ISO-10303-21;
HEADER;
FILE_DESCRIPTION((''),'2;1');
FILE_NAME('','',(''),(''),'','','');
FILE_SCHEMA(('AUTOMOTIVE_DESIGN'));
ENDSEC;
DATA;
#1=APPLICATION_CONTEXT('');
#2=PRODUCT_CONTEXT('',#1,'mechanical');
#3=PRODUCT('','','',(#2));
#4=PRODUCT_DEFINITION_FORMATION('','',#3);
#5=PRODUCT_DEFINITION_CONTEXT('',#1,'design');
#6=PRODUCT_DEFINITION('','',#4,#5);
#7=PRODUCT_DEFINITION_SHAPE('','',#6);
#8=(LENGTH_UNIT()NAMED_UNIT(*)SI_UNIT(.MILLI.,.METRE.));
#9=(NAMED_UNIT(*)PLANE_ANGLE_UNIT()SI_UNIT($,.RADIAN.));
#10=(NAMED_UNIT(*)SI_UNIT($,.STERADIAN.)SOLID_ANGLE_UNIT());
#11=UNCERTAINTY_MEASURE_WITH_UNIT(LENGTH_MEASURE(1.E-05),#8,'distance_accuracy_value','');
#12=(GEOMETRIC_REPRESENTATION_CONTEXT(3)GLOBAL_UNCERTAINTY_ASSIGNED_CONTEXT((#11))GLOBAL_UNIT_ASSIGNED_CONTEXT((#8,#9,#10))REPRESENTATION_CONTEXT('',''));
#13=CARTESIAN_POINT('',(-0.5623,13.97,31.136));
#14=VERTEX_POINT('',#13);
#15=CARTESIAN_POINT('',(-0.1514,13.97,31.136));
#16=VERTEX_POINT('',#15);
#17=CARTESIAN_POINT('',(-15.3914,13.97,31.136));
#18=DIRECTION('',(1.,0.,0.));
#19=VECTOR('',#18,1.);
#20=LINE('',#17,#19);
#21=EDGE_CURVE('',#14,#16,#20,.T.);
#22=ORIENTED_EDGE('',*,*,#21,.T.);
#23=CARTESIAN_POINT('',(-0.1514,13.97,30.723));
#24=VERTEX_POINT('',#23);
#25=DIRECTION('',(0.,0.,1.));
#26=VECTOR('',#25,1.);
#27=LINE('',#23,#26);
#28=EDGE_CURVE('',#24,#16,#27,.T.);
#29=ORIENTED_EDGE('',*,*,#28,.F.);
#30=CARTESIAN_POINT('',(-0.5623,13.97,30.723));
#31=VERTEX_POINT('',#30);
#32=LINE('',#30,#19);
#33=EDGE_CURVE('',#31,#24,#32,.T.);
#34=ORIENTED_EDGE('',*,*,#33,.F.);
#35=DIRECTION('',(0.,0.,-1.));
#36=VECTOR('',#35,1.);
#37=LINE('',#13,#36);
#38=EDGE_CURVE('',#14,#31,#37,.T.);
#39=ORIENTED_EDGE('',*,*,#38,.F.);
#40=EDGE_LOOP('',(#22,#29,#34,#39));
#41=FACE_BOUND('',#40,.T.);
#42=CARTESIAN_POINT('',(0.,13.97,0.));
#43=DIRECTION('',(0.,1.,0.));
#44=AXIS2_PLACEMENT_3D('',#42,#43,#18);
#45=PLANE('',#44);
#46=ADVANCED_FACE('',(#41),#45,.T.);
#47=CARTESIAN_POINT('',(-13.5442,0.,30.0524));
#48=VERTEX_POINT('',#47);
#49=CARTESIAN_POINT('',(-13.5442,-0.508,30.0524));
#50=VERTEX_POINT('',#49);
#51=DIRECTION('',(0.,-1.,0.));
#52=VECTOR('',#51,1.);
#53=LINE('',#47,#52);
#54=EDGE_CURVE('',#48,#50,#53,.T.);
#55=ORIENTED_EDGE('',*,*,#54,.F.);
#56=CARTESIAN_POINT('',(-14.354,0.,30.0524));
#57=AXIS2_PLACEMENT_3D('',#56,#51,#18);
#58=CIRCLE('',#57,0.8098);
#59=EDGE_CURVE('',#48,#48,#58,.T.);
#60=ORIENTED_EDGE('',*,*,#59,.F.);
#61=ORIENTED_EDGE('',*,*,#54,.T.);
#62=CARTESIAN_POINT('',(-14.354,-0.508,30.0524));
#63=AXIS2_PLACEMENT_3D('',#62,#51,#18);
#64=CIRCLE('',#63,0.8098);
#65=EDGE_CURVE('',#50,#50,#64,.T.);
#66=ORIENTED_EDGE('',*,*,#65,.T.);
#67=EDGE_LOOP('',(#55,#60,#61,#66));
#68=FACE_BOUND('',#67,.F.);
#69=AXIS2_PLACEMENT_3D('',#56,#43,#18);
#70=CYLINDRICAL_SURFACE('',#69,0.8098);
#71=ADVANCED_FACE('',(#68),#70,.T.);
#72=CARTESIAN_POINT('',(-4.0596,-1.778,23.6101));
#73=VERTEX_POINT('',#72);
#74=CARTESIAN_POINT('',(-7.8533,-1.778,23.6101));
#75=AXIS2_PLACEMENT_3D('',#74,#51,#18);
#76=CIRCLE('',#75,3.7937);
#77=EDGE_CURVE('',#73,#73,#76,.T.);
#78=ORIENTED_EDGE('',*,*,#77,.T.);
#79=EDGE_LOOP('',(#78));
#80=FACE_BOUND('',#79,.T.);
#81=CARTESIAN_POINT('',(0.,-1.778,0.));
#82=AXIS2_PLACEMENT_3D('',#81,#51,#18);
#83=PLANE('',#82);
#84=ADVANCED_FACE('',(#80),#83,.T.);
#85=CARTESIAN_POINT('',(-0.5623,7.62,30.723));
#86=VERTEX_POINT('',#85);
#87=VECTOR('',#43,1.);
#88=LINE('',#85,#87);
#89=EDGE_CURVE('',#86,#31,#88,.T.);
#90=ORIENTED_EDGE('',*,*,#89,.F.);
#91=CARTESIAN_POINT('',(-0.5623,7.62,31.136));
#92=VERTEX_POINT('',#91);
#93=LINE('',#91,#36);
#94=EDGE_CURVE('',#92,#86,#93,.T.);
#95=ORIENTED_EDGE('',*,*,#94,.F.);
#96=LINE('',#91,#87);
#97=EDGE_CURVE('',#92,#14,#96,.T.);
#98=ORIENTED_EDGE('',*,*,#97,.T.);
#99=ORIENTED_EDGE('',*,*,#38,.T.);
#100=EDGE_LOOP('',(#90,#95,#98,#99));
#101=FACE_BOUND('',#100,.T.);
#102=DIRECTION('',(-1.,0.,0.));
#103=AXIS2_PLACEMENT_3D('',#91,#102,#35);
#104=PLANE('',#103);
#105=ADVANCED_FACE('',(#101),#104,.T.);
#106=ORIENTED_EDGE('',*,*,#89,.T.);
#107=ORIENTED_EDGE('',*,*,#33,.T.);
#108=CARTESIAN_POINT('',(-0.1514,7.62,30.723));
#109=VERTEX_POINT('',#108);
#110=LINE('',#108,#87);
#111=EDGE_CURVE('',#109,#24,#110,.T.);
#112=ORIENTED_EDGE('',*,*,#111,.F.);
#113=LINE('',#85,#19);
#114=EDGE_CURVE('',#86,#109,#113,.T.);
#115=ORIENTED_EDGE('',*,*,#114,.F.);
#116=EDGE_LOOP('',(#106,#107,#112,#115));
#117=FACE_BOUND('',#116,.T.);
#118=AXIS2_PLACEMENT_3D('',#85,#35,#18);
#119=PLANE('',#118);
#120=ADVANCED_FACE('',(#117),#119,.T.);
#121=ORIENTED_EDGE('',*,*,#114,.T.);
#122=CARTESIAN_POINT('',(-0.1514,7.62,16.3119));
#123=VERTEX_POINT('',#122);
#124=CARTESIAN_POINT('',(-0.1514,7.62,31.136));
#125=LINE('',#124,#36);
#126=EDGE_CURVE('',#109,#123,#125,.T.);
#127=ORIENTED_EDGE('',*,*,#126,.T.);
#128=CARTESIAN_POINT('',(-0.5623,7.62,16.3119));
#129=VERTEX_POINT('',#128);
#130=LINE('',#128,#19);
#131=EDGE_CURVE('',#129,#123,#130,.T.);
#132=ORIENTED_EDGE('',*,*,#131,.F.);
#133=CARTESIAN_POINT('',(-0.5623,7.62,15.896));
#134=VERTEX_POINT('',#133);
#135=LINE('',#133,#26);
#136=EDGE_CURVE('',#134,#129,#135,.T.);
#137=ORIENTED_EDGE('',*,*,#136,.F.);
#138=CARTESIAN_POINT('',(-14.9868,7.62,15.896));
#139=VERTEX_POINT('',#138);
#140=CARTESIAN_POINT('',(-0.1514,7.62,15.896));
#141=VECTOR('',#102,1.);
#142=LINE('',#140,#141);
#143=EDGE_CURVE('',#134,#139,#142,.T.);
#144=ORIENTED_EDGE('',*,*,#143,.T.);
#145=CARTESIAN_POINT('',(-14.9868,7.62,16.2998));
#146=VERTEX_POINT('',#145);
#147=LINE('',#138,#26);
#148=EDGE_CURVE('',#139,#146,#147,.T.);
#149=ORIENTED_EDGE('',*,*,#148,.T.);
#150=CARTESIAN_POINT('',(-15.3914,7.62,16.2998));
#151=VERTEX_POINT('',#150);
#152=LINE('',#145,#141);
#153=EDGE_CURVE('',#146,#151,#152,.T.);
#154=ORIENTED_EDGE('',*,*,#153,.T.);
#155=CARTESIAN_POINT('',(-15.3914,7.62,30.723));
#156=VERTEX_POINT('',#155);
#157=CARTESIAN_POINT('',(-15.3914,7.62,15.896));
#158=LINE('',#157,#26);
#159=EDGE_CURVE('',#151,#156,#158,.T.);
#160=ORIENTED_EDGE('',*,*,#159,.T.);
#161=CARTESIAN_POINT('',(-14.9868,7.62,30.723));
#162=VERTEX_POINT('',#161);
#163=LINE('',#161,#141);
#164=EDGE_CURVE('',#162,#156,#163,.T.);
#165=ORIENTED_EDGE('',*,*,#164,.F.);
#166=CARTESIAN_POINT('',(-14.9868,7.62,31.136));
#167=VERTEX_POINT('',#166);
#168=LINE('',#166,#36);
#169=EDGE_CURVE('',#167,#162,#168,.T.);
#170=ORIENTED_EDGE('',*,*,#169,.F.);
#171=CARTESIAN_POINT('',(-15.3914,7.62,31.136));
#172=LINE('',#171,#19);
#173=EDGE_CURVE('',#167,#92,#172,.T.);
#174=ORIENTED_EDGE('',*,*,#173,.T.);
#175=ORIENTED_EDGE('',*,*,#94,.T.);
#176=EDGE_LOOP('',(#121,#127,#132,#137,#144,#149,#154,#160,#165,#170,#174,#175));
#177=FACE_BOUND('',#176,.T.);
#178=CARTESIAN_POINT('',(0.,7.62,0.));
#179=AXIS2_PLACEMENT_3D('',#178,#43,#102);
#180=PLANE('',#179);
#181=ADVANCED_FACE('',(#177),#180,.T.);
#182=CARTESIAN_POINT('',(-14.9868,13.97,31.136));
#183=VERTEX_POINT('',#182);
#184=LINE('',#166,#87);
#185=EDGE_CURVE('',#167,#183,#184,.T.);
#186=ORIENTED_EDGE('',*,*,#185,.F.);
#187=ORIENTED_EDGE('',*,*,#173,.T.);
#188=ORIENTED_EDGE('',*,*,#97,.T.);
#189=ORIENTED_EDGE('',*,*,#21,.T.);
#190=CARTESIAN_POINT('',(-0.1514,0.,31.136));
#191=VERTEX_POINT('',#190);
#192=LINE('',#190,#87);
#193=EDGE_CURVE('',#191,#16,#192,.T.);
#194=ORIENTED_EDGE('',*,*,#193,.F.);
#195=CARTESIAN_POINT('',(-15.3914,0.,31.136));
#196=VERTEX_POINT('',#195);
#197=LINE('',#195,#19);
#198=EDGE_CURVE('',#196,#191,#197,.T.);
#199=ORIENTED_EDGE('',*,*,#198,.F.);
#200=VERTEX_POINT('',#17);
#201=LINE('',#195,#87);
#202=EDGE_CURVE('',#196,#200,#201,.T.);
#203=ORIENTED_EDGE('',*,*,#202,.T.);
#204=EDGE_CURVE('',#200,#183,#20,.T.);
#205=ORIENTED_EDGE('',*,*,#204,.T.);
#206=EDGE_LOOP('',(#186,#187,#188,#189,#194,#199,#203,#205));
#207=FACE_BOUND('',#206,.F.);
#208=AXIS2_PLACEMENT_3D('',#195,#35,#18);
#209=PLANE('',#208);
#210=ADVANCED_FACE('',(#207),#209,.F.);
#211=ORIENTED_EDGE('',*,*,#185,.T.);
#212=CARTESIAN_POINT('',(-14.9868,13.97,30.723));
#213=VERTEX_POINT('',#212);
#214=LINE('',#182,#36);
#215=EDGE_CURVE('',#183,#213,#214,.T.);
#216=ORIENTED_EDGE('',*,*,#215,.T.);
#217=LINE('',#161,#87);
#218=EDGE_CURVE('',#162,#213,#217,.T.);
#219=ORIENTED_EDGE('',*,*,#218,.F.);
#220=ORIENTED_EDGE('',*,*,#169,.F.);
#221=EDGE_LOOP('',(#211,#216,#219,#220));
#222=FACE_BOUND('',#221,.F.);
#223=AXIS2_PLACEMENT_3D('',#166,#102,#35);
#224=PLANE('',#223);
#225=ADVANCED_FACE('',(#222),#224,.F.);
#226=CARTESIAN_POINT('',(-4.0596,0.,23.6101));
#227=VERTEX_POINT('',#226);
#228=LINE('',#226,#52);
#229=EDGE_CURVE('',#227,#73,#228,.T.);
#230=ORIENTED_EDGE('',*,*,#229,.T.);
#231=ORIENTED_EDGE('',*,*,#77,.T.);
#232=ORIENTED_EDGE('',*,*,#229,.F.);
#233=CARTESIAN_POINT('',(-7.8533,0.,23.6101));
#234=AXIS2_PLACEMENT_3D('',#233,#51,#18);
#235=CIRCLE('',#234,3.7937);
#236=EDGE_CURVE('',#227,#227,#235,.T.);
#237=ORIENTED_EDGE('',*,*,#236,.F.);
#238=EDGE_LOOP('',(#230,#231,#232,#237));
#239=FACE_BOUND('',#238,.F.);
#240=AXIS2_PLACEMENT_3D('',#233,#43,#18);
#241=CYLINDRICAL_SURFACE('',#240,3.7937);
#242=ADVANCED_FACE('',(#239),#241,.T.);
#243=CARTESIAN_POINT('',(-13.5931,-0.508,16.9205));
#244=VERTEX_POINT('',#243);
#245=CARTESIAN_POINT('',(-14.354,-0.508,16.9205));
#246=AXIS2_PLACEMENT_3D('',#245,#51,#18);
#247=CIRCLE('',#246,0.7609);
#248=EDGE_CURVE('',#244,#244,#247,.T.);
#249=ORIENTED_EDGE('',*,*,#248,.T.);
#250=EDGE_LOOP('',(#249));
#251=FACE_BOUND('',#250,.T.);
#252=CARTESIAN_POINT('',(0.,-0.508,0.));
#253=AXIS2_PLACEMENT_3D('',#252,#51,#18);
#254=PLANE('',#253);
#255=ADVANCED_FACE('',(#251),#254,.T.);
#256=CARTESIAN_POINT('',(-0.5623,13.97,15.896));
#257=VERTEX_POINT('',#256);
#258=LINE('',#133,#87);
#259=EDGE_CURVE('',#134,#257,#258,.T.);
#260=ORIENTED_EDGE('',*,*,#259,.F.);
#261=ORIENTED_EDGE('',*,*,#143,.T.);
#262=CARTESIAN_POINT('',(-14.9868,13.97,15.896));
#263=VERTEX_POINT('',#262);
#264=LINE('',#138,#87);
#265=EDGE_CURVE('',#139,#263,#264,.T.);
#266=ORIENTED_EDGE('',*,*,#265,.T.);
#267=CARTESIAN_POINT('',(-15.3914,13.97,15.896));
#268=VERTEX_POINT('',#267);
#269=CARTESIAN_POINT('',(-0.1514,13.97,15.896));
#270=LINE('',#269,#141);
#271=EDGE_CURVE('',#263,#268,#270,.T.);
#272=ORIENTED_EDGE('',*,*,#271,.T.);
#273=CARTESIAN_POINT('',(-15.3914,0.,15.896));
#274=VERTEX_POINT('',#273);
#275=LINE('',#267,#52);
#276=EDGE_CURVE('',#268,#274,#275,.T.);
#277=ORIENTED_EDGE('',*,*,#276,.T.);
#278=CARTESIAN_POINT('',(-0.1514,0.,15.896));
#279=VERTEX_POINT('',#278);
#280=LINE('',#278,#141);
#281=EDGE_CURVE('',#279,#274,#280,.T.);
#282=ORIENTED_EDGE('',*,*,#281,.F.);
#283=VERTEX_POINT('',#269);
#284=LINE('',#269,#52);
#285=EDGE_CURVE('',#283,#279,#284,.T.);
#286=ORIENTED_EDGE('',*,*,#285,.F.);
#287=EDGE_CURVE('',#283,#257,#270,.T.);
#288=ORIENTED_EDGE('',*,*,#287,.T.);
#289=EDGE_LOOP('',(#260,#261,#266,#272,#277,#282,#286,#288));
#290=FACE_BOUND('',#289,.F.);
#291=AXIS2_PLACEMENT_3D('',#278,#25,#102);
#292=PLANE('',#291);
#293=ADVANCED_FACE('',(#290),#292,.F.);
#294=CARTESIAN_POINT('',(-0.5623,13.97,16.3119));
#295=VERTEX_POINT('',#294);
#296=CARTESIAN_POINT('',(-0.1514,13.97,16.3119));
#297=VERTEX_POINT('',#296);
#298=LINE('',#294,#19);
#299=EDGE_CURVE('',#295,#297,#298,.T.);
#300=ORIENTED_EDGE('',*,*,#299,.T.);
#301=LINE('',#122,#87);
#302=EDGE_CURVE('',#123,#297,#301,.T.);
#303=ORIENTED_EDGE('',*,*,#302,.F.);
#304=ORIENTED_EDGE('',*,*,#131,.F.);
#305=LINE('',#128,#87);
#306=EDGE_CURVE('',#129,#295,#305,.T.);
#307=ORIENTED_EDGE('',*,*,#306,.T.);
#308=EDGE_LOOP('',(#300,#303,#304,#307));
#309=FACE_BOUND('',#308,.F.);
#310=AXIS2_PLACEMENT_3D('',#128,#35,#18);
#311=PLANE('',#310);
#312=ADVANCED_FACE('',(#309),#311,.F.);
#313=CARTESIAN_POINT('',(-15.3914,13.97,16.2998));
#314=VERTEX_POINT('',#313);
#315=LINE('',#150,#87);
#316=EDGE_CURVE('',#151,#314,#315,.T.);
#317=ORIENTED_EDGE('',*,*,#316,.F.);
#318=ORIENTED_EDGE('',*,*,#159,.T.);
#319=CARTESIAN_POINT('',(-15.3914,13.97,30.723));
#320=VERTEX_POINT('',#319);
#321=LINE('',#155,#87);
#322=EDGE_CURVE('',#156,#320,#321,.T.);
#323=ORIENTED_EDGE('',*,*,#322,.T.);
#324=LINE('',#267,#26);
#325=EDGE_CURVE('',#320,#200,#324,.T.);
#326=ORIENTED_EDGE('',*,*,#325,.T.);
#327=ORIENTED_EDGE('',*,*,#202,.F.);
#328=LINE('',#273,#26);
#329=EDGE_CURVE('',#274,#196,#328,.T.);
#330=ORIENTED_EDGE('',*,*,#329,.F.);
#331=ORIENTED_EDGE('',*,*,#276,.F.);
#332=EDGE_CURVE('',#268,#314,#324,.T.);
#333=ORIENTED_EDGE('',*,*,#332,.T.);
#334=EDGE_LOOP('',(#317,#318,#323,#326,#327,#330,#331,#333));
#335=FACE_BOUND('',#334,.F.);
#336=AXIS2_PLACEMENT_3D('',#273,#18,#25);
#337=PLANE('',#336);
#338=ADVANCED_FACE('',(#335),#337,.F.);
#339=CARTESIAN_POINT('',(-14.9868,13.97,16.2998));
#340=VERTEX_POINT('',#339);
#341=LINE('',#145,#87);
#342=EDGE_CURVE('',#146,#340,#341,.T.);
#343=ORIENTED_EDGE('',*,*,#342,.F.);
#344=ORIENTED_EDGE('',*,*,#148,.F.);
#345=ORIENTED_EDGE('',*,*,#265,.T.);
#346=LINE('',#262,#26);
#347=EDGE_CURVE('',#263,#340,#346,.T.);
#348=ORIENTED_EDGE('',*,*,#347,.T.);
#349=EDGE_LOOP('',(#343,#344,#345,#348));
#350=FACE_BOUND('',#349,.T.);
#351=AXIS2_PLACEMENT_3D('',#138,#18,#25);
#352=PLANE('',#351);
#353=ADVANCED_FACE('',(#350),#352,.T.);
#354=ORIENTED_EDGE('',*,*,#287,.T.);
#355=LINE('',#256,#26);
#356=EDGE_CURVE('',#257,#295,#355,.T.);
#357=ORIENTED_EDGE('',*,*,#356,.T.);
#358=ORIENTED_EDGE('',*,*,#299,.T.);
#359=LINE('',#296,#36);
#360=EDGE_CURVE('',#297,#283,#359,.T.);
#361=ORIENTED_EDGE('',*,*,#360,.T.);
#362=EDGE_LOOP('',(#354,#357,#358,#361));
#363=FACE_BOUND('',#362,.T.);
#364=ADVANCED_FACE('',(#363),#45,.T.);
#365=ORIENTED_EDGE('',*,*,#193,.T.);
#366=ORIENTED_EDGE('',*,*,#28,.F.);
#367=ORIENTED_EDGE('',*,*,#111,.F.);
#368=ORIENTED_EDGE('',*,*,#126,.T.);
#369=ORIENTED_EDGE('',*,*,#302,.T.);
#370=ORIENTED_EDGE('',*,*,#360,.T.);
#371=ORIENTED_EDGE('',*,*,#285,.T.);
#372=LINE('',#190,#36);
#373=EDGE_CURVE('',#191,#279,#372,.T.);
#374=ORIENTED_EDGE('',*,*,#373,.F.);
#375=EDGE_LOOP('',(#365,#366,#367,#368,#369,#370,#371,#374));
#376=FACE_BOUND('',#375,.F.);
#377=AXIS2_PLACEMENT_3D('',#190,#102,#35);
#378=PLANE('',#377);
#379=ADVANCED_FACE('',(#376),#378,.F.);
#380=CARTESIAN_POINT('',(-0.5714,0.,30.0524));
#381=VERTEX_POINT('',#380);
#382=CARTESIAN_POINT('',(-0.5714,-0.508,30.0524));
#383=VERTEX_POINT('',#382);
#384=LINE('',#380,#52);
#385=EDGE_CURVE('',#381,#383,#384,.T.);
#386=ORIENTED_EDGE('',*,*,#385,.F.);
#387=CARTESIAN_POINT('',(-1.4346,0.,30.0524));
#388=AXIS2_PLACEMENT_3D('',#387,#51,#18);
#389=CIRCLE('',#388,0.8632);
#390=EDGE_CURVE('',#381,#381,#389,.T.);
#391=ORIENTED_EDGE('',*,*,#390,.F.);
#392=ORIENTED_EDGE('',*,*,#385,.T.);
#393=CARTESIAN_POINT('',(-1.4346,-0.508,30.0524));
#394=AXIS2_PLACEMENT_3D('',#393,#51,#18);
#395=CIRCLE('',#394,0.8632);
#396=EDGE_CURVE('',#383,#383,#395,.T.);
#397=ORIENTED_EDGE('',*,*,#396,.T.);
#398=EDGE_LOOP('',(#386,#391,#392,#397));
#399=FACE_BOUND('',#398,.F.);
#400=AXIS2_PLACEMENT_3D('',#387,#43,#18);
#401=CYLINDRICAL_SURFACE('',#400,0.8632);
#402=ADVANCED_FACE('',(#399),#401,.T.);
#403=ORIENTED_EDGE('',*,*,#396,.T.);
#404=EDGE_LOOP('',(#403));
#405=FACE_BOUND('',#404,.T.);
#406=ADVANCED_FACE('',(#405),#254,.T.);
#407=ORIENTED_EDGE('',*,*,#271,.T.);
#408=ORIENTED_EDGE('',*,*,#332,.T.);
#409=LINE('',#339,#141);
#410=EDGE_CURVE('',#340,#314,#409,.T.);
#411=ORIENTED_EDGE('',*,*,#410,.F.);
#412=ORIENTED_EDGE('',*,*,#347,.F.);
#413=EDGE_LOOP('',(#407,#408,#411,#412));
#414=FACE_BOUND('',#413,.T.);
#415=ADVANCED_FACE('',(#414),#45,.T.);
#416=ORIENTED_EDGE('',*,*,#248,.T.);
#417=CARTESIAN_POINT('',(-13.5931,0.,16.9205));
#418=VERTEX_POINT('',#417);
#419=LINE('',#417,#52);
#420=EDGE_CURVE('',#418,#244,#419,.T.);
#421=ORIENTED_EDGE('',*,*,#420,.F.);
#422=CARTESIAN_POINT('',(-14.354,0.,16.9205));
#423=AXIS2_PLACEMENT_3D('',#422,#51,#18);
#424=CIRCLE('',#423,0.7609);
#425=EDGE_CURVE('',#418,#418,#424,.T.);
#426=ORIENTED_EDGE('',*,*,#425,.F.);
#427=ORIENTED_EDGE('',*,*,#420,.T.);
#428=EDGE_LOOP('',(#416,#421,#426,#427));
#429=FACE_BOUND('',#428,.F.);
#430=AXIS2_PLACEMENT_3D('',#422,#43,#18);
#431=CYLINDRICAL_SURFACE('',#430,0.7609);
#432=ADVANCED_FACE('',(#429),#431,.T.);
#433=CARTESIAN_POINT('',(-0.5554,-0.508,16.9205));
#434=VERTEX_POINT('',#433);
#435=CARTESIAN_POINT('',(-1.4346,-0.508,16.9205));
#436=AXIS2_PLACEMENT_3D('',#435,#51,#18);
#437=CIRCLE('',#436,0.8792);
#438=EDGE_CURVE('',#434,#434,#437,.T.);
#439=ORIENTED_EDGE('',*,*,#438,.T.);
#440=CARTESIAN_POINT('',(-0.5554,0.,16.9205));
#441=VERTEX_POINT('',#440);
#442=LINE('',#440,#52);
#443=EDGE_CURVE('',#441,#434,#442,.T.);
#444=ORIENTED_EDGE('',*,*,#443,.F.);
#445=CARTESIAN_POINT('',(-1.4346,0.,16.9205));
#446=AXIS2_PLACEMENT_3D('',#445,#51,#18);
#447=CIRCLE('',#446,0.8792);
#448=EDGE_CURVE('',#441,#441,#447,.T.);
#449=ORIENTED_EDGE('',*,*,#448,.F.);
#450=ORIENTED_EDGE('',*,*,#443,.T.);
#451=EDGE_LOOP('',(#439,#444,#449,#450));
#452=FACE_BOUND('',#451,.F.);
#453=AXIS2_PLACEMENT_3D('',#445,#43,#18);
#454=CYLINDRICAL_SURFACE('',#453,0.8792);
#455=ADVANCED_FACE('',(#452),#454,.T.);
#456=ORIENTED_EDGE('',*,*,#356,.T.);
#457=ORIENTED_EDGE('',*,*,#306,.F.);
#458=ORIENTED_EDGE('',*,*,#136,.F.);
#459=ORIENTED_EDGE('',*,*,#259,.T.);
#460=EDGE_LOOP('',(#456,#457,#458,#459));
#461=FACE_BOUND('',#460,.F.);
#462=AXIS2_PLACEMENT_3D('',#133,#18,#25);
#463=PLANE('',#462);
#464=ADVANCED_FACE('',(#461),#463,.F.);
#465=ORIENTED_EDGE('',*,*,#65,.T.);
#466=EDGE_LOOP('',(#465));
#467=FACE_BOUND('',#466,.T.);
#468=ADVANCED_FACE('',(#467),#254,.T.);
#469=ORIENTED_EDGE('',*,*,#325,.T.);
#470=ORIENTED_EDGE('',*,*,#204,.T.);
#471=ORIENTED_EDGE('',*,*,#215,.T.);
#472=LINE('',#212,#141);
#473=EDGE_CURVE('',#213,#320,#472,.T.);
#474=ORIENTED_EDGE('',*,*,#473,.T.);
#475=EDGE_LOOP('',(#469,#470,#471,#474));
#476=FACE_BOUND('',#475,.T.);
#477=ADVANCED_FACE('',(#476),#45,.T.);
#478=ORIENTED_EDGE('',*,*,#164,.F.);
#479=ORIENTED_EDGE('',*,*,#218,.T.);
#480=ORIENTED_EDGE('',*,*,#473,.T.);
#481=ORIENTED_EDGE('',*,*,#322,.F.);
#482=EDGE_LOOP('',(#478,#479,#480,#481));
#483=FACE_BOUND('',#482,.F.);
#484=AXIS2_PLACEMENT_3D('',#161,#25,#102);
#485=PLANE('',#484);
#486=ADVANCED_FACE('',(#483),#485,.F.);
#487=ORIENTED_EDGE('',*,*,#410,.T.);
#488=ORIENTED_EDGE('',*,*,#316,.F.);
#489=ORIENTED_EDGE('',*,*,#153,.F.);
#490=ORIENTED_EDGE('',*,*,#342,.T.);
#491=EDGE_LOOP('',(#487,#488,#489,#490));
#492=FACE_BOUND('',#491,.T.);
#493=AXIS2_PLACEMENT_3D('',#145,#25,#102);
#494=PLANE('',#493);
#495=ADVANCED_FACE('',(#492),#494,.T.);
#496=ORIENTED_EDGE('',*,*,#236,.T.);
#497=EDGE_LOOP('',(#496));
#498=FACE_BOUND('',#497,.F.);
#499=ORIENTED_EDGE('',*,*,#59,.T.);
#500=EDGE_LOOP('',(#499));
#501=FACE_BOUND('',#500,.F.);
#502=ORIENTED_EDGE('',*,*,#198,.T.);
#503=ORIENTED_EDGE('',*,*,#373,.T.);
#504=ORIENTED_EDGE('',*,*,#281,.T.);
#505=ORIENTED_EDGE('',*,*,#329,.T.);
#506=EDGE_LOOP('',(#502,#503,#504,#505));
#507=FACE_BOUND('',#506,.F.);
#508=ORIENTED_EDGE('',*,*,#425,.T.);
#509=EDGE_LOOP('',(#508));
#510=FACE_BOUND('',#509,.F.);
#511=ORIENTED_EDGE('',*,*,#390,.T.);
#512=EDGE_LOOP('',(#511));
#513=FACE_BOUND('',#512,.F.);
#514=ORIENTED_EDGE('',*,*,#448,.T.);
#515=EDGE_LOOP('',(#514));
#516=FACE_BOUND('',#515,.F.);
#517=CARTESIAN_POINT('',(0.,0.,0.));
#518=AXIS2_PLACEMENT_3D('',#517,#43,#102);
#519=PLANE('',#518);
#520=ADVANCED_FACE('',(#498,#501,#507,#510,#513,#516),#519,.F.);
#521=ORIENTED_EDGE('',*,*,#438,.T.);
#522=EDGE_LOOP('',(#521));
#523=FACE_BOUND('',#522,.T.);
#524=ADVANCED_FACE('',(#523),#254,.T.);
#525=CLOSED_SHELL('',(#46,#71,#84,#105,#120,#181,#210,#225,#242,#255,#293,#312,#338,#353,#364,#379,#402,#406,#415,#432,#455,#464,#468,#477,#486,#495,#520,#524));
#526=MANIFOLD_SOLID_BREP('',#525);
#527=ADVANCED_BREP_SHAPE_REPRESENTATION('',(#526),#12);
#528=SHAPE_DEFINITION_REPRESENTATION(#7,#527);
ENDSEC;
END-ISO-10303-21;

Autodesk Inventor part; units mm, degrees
ref_plane "YZ Plane" through (0, 0, 0) normal (1, 0, 0) x (0, 1, 0)
ref_plane "XZ Plane" through (0, 0, 0) normal (0, 1, 0) x (-1, 0, 0)
ref_plane "XY Plane" through (0, 0, 0) normal (0, 0, 1) x (1, 0, 0)
sketch "Sketch1" plane through (0, 0, 0) normal (0, 1, 0) x (-1, 0, 0)
  line L0 (15.3914, 31.136) -> (0.1514, 31.136)
  line L1 (0.1514, 31.136) -> (0.1514, 15.896)
  line L2 (0.1514, 15.896) -> (15.3914, 15.896)
  line L3 (15.3914, 15.896) -> (15.3914, 31.136)
  point P0 (0, 0)
  dimension "d0" = 15.24
  dimension "d1" = 15.24
extrude "Extrusion1" add sketch "Sketch1" along normal blind 7.62
sketch "Sketch2" plane through (0, 0, 0) normal (0, -1, 0) x (1, 0, 0)
  circle A0 centre (-7.8533, 23.6101) radius 3.7937
  point P0 (0, 0)
extrude "Extrusion2" add sketch "Sketch2" along normal blind 1.778
sketch "Sketch3" plane through (0, 0, 0) normal (0, -1, 0) x (1, 0, 0)
  circle A0 centre (-1.4346, 30.0524) radius 0.8632
  circle A1 centre (-1.4346, 16.9205) radius 0.8792
  circle A2 centre (-14.354, 30.0524) radius 0.8098
  circle A3 centre (-14.354, 16.9205) radius 0.7609
  point P0 (0, 0)
extrude "Extrusion3" add sketch "Sketch3" along normal blind 0.508
sketch "Sketch4" plane through (0, 7.62, 0) normal (0, 1, 0) x (1, 0, 0)
  line L0 (-15.3914, -15.896) -> (-15.3914, -31.136) projected
  line L1 (-15.3914, -31.136) -> (-14.9868, -31.136)
  line L2 (-14.9868, -31.136) -> (-14.9868, -30.723)
  line L3 (-14.9868, -30.723) -> (-15.3914, -30.723)
  line L4 (-15.3914, -30.723) -> (-15.3914, -31.136)
  line L5 (-0.1514, -15.896) -> (-15.3914, -15.896) projected
  line L6 (-15.3914, -15.896) -> (-14.9868, -15.896)
  line L7 (-14.9868, -15.896) -> (-14.9868, -16.2998)
  line L8 (-14.9868, -16.2998) -> (-15.3914, -16.2998)
  line L9 (-15.3914, -16.2998) -> (-15.3914, -15.896)
  line L10 (-0.1514, -15.896) -> (-0.5623, -15.896)
  line L11 (-0.5623, -15.896) -> (-0.5623, -16.3119)
  line L12 (-0.5623, -16.3119) -> (-0.1514, -16.3119)
  line L13 (-0.1514, -16.3119) -> (-0.1514, -15.896)
  line L14 (-15.3914, -31.136) -> (-0.1514, -31.136) projected
  line L15 (-0.1514, -31.136) -> (-0.5623, -31.136)
  line L16 (-0.5623, -31.136) -> (-0.5623, -30.723)
  line L17 (-0.5623, -30.723) -> (-0.1514, -30.723)
  line L18 (-0.1514, -30.723) -> (-0.1514, -31.136)
  point P0 (0, 0)
extrude "Extrusion4" add sketch "Sketch4" along normal blind 6.35
properties part number "switch"
